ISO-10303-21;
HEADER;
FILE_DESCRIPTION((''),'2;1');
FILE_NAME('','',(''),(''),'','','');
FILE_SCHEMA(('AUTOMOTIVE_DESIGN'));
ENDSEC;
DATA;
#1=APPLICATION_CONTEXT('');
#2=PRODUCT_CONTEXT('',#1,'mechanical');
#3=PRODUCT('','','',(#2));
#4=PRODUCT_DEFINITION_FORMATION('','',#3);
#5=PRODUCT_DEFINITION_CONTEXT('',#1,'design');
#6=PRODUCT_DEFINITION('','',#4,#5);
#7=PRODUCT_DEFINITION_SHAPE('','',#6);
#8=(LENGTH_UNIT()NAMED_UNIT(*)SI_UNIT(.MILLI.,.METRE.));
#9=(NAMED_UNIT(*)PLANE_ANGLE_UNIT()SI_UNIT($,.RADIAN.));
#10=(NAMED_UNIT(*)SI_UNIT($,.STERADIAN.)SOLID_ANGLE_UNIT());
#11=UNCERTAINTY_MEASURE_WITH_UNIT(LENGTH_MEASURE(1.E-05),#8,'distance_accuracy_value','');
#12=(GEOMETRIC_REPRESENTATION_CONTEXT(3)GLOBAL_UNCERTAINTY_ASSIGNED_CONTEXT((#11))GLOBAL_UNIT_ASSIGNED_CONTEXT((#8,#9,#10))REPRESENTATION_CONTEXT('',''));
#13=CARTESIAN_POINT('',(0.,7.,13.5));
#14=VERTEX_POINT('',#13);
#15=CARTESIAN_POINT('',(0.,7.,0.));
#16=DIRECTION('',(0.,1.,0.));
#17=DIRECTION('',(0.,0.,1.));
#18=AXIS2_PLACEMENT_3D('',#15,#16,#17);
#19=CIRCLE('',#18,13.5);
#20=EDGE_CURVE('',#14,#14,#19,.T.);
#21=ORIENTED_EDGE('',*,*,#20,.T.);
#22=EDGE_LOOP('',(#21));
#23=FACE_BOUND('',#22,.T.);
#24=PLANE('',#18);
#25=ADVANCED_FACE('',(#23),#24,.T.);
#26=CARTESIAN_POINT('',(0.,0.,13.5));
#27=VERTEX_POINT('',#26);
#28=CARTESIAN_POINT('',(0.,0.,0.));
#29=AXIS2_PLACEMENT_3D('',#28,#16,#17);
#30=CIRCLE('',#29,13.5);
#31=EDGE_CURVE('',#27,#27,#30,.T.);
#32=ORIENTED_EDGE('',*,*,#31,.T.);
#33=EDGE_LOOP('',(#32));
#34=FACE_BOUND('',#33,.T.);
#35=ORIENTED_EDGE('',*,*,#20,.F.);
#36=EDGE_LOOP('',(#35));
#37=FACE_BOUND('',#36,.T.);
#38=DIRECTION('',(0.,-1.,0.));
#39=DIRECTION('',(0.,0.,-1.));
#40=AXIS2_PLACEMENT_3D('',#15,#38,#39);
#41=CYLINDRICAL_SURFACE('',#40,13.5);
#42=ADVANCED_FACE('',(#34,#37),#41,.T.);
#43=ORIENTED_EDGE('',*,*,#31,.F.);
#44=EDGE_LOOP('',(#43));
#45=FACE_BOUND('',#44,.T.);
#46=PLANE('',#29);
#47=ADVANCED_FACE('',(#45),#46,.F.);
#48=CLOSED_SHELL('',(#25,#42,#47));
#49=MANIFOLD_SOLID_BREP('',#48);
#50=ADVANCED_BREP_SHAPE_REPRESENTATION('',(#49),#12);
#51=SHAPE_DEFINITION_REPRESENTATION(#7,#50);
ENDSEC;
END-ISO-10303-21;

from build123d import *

# Parameters (mm, degrees)
ESBO_O1_R                = 13.5
RESSALTO_EXTRUS_O1_DEPTH = 7


with BuildPart() as part:
    # Esboço1 → Ressalto-extrusão1 (new body)
    with BuildSketch(Plane(origin=(0, 0, 0), x_dir=(1, 0, 0), z_dir=(0, 1, 0))):
        with Locations(Location((0, 0, 0), (0, 0, 270))):
            Circle(ESBO_O1_R)
    extrude(amount=RESSALTO_EXTRUS_O1_DEPTH)


solid = part.part
